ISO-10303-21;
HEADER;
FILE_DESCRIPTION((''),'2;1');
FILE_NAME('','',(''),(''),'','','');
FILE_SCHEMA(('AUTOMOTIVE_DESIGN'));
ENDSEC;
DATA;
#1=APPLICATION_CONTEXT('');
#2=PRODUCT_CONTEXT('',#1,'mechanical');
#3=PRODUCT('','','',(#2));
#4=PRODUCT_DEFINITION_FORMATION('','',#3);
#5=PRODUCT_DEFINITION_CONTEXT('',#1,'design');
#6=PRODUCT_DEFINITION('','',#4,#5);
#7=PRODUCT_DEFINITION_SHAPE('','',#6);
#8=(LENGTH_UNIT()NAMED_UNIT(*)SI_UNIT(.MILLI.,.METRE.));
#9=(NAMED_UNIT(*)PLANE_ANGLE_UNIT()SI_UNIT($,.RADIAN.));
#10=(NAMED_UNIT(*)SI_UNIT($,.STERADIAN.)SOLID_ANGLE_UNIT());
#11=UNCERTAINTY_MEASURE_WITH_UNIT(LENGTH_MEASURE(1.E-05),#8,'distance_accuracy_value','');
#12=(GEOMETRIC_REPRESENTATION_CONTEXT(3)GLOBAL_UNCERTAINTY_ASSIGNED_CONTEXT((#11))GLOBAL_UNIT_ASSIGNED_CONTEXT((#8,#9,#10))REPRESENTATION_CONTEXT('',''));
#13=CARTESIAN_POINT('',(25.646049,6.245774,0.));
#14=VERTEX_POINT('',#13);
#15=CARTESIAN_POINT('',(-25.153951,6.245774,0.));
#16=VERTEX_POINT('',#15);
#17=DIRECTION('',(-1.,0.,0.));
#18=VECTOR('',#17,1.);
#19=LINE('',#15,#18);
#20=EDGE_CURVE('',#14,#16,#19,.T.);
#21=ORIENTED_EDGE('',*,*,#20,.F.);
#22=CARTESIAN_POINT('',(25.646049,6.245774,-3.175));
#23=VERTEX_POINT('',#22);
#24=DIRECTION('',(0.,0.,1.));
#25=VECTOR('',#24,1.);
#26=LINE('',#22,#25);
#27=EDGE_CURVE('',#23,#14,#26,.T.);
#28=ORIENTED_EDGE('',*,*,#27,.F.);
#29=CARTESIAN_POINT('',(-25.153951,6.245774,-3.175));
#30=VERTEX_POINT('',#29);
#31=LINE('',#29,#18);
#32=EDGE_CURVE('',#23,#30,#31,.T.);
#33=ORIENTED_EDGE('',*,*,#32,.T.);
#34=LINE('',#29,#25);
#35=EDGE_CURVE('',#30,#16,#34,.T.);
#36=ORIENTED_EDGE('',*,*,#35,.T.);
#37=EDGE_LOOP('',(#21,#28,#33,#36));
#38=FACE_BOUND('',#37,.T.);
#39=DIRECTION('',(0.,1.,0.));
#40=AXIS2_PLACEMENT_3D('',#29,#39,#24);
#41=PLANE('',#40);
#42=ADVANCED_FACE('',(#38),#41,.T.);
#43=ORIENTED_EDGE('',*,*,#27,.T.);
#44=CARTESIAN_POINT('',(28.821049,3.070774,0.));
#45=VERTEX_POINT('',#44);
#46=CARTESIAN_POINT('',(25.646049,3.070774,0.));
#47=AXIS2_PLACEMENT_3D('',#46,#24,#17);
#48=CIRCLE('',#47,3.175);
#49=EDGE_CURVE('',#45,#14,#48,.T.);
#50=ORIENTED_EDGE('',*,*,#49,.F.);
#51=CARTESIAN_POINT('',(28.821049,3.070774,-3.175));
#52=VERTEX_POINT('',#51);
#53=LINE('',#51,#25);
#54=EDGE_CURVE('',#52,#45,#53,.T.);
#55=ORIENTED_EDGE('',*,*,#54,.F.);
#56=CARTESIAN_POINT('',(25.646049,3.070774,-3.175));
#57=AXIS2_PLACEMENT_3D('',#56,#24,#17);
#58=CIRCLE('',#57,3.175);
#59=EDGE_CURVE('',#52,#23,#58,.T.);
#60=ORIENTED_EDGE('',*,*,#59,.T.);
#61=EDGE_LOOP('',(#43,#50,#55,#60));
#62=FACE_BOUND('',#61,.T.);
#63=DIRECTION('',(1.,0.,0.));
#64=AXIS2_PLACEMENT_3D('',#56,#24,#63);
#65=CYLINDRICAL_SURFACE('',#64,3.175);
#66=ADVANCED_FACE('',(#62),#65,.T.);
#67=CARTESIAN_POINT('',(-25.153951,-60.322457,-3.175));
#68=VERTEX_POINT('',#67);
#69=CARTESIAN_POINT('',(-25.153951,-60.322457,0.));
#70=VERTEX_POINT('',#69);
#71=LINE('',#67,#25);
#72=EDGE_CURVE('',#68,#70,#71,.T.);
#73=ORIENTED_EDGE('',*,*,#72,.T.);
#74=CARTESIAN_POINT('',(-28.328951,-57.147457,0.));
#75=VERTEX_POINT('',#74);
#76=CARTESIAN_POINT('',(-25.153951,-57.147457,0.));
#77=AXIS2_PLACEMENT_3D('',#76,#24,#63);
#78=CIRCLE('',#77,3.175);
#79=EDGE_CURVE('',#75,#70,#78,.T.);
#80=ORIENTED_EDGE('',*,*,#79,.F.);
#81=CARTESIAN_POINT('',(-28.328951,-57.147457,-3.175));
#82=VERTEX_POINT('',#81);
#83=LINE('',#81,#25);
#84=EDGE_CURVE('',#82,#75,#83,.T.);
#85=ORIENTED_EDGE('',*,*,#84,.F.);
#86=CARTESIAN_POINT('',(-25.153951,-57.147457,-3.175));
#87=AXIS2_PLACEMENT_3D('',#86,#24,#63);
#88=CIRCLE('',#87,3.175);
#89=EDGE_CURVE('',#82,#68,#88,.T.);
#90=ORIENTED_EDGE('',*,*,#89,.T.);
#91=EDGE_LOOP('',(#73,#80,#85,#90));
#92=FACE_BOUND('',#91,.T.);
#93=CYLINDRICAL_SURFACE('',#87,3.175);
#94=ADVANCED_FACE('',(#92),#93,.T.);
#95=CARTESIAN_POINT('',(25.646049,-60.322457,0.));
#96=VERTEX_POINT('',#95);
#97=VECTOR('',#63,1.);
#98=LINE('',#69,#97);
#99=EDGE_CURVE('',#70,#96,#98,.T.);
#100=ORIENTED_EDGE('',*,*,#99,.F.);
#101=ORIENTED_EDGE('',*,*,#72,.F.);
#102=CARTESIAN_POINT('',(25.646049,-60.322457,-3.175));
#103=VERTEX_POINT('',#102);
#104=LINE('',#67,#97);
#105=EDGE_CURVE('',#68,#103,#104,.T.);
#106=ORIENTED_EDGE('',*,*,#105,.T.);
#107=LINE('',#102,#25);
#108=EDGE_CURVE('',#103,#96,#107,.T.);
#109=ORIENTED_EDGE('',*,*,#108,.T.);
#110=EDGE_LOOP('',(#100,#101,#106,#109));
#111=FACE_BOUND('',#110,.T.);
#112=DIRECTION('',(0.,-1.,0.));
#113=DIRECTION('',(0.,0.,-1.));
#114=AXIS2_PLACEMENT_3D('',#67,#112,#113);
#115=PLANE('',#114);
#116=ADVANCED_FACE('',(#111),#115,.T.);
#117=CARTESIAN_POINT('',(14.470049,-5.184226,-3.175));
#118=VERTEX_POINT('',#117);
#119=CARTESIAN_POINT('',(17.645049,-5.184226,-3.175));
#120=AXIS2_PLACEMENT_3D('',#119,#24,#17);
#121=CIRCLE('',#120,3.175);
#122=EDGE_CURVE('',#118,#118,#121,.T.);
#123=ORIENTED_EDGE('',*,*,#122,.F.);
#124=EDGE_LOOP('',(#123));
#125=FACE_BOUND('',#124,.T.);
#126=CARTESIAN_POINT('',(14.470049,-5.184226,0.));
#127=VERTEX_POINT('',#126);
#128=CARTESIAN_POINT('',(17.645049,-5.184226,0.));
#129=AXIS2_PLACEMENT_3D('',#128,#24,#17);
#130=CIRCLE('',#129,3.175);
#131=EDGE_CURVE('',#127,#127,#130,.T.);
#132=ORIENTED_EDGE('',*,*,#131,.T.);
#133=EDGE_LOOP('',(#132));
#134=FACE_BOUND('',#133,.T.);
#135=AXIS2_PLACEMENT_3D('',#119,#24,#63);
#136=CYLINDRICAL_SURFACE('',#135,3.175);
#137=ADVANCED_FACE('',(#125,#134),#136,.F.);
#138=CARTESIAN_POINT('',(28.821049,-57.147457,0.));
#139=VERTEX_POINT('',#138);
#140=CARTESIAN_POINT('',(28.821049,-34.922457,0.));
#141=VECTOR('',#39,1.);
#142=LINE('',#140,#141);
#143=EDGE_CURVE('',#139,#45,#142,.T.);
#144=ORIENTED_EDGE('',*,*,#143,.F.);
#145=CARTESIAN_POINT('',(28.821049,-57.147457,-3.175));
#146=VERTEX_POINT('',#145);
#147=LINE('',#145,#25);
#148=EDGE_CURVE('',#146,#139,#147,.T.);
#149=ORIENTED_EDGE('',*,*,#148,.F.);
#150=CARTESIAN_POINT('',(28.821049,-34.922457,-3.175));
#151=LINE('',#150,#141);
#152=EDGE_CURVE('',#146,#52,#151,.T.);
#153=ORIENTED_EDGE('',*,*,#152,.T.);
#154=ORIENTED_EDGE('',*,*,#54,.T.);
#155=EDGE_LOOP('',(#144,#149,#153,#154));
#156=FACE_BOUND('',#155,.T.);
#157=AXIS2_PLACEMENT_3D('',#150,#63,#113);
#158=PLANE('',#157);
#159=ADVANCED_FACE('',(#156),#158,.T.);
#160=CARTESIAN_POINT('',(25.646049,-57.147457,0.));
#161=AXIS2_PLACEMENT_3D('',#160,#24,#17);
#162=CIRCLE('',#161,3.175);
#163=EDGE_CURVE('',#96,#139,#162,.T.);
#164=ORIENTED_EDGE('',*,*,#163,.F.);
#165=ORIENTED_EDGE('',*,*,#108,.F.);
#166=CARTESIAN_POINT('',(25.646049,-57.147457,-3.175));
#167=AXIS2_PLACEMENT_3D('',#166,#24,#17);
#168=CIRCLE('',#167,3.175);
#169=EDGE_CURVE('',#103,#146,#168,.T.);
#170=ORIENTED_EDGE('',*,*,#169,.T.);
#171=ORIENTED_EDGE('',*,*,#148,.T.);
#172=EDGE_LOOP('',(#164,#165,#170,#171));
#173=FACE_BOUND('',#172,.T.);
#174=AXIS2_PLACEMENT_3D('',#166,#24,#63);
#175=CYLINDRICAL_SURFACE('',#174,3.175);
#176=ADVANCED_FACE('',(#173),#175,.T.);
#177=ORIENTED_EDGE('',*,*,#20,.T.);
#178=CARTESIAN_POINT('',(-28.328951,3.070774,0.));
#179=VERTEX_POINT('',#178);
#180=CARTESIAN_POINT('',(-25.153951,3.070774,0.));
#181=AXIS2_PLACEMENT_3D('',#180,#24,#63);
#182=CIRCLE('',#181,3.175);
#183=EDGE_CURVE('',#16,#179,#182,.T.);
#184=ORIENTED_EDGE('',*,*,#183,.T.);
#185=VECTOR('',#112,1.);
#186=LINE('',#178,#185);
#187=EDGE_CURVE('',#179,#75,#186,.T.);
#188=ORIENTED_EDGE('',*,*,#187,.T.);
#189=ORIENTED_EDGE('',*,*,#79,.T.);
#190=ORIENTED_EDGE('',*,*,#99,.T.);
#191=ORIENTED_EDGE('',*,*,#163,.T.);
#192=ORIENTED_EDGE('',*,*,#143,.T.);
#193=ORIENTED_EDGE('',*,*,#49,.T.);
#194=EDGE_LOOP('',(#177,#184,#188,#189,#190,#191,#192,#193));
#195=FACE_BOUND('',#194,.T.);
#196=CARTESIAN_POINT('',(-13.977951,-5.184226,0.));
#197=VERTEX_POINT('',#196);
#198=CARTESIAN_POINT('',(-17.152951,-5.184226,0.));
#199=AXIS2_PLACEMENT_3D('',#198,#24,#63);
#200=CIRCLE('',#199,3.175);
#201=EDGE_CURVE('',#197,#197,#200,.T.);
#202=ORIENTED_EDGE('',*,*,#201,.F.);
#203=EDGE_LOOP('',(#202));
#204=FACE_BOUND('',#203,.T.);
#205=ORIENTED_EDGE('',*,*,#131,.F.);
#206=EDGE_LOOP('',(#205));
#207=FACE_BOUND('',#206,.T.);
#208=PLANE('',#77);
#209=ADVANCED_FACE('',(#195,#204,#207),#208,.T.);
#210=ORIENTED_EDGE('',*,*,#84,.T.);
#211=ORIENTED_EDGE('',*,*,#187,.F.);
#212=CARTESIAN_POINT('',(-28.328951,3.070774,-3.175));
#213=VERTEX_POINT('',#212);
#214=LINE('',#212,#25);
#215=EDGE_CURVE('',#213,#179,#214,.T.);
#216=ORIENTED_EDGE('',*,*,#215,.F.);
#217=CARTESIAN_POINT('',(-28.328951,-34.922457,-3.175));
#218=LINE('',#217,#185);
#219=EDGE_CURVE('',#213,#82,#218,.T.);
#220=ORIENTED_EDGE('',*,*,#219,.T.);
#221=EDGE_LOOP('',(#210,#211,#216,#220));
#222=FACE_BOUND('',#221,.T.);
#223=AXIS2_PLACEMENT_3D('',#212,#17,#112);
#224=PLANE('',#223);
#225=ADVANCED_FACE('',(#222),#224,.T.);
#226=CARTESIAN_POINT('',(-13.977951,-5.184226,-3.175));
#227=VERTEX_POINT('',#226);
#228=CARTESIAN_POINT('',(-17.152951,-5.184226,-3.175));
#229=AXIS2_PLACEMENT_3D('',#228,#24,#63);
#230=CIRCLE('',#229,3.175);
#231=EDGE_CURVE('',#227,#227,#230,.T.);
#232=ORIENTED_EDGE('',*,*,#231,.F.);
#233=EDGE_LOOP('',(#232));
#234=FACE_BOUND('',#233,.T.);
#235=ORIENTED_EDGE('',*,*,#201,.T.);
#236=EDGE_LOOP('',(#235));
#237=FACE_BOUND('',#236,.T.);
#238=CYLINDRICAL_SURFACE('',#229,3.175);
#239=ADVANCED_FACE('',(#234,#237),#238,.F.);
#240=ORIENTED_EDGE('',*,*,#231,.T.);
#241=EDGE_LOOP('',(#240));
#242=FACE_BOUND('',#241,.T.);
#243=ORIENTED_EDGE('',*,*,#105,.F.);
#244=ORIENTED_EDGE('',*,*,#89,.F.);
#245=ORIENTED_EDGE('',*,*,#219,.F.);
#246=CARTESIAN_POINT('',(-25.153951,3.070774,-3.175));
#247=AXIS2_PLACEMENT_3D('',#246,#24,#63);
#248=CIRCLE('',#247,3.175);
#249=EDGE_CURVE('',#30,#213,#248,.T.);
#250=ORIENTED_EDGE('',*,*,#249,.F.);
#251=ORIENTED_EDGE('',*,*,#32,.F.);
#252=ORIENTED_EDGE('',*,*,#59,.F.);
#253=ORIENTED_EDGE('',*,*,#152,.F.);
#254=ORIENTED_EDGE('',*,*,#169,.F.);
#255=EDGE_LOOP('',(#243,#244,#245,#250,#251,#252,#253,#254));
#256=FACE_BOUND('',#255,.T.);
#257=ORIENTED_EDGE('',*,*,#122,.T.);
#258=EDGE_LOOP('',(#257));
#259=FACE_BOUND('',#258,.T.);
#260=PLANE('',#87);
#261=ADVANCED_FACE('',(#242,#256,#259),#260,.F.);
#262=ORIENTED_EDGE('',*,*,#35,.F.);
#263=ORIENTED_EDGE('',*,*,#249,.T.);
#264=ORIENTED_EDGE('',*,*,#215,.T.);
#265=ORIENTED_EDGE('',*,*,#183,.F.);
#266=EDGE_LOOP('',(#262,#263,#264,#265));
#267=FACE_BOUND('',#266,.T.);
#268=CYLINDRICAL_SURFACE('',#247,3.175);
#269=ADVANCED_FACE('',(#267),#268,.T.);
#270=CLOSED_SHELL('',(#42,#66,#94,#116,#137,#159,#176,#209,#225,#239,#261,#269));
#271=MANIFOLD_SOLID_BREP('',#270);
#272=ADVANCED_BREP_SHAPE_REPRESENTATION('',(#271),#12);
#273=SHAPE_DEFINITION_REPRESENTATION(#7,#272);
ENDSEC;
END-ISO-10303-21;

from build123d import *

# Parameters (mm, degrees)
BOSS_EXTRUDE1_DEPTH = 3.175
SKETCH2_R           = 3.175
CUT_EXTRUDE1_DEPTH  = 67.929307933


with BuildPart() as part:
    # Sketch1 → Boss-Extrude1 (new body)
    with BuildSketch(Plane.XY):
        with BuildLine():
            Line((-28.328951223, 3.070773738), (-28.328951223, -34.922456704))
            Line((-28.328951223, -34.922456704), (-28.328951223, -57.147456704))
            ThreePointArc((-28.328951223, -57.147456704), (-27.399015253, -59.392520734), (-25.153951223, -60.322456704))
            Line((-25.153951223, -60.322456704), (25.646048777, -60.322456704))
            ThreePointArc((25.646048777, -60.322456704), (27.891112807, -59.392520734), (28.821048777, -57.147456704))
            Line((28.821048777, -57.147456704), (28.821048777, -34.922456704))
            Line((28.821048777, -34.922456704), (28.821048777, 3.070773738))
            ThreePointArc((28.821048777, 3.070773738), (27.891112807, 5.315837768), (25.646048777, 6.245773738))
            Line((25.646048777, 6.245773738), (-25.153951223, 6.245773738))
            ThreePointArc((-25.153951223, 6.245773738), (-27.399015253, 5.315837768), (-28.328951223, 3.070773738))
        make_face()
    extrude(amount=-BOSS_EXTRUDE1_DEPTH)

    # Sketch2 → Cut-Extrude1 (cut, through all)
    with BuildSketch(Plane.XY):
        with Locations((-17.152951223, -5.184226262)):
            Circle(SKETCH2_R)
        with Locations(Location((17.645048777, -5.184226262, 0), (0, 0, 180))):
            Circle(SKETCH2_R)
    extrude(amount=-CUT_EXTRUDE1_DEPTH, mode=Mode.SUBTRACT)


solid = part.part
